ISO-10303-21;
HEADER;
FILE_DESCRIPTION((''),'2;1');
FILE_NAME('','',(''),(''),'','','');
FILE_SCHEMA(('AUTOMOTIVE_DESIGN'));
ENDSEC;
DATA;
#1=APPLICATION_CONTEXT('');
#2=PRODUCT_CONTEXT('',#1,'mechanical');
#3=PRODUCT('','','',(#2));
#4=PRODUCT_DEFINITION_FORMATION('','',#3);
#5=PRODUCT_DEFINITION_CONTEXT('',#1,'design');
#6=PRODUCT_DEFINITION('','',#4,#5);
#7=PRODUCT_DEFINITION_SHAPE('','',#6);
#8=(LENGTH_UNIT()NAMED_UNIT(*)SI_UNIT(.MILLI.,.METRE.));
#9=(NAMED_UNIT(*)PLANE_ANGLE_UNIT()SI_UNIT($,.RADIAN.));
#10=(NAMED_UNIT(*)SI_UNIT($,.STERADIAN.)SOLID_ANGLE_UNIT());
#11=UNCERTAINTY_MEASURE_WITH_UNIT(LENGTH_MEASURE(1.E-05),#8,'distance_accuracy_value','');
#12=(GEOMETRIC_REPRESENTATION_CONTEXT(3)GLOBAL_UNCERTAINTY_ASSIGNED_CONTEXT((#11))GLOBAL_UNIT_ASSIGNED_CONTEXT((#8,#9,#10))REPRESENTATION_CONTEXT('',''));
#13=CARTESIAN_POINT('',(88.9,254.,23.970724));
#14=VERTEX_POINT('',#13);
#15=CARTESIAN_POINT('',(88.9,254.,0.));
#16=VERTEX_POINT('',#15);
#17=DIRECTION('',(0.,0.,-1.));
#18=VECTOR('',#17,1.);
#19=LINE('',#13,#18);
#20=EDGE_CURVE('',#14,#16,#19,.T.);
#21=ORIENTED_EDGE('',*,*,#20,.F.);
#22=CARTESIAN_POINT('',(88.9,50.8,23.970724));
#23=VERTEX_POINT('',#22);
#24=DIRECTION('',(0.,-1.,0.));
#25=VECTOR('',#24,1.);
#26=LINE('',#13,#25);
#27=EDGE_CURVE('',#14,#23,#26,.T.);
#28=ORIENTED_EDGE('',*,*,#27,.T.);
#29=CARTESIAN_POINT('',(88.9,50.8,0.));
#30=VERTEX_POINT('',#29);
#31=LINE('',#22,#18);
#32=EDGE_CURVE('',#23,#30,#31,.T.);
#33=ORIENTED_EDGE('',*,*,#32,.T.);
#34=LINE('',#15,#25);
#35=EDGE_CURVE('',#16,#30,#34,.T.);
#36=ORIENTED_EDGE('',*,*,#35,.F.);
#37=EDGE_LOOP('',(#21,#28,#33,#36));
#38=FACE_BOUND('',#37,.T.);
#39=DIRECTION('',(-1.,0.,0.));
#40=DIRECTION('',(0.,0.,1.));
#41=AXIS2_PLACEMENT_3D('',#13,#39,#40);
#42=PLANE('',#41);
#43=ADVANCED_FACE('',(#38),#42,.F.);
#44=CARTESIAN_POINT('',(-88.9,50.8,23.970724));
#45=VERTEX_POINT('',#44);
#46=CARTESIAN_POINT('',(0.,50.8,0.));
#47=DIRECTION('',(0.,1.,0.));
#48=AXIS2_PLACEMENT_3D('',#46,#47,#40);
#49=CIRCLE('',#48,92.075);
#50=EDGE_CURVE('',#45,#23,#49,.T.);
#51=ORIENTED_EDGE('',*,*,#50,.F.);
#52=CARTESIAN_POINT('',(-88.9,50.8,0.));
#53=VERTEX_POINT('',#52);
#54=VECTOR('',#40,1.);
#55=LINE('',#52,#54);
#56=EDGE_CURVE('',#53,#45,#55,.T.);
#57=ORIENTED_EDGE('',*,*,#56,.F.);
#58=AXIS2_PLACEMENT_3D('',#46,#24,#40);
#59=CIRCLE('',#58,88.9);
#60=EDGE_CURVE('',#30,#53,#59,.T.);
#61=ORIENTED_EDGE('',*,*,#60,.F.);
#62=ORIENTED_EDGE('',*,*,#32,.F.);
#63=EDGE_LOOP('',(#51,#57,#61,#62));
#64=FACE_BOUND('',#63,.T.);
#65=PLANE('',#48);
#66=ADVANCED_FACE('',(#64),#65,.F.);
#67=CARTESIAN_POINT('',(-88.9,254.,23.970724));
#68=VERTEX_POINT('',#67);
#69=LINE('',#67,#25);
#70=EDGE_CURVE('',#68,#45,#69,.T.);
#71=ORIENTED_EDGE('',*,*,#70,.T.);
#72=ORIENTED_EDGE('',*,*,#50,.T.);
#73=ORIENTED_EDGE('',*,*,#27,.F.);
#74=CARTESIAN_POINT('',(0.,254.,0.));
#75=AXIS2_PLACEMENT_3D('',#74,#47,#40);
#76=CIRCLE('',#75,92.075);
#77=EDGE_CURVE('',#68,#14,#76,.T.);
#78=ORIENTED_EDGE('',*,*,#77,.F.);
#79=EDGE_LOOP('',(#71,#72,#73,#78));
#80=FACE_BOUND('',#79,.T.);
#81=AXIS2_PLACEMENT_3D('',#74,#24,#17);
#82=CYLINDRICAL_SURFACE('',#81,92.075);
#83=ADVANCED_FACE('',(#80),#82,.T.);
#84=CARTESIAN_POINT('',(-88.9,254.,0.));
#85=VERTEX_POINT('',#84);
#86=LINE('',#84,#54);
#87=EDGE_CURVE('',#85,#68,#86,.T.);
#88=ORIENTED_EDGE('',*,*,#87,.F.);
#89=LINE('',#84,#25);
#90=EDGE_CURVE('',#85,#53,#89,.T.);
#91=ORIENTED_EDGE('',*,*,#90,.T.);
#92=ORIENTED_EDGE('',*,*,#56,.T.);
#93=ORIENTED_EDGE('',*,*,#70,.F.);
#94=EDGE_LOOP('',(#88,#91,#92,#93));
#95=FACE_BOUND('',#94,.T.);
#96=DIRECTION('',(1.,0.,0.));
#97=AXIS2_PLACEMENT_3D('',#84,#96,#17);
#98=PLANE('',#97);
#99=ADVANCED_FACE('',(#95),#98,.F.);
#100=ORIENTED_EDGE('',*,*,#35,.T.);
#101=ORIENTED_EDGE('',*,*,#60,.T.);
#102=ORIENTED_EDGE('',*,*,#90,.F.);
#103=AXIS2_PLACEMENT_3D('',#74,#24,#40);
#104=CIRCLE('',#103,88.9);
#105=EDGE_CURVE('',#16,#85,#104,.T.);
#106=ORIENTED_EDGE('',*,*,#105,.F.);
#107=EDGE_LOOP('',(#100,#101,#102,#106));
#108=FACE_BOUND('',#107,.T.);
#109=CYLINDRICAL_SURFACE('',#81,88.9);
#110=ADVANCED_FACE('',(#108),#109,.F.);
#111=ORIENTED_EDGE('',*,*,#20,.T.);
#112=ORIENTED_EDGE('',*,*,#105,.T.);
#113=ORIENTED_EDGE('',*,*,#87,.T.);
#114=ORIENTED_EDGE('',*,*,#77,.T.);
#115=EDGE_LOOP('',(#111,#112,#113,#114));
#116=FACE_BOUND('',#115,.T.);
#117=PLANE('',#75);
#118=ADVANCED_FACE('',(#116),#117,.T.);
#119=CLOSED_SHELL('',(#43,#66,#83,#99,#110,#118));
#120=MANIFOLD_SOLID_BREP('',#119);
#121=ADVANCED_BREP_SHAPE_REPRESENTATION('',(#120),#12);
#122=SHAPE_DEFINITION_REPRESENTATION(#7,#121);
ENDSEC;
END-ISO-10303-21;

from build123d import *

# Parameters (mm, degrees)
BOSS_EXTRUDE2_DEPTH = 203.2


with BuildPart() as part:
    # Sketch3 → Boss-Extrude2 (new body)
    with BuildSketch(Plane(origin=(0, 50.8, 0), x_dir=(1, 0, 0), z_dir=(0, 1, 0))):
        with BuildLine():
            Line((88.9, -23.970724332), (88.9, 0))
            ThreePointArc((88.9, 0), (0, -88.9), (-88.9, 0))
            Line((-88.9, 0), (-88.9, -23.970724332))
            ThreePointArc((-88.9, -23.970724332), (0, -92.075), (88.9, -23.970724332))
        make_face()
    extrude(amount=BOSS_EXTRUDE2_DEPTH)


solid = part.part
